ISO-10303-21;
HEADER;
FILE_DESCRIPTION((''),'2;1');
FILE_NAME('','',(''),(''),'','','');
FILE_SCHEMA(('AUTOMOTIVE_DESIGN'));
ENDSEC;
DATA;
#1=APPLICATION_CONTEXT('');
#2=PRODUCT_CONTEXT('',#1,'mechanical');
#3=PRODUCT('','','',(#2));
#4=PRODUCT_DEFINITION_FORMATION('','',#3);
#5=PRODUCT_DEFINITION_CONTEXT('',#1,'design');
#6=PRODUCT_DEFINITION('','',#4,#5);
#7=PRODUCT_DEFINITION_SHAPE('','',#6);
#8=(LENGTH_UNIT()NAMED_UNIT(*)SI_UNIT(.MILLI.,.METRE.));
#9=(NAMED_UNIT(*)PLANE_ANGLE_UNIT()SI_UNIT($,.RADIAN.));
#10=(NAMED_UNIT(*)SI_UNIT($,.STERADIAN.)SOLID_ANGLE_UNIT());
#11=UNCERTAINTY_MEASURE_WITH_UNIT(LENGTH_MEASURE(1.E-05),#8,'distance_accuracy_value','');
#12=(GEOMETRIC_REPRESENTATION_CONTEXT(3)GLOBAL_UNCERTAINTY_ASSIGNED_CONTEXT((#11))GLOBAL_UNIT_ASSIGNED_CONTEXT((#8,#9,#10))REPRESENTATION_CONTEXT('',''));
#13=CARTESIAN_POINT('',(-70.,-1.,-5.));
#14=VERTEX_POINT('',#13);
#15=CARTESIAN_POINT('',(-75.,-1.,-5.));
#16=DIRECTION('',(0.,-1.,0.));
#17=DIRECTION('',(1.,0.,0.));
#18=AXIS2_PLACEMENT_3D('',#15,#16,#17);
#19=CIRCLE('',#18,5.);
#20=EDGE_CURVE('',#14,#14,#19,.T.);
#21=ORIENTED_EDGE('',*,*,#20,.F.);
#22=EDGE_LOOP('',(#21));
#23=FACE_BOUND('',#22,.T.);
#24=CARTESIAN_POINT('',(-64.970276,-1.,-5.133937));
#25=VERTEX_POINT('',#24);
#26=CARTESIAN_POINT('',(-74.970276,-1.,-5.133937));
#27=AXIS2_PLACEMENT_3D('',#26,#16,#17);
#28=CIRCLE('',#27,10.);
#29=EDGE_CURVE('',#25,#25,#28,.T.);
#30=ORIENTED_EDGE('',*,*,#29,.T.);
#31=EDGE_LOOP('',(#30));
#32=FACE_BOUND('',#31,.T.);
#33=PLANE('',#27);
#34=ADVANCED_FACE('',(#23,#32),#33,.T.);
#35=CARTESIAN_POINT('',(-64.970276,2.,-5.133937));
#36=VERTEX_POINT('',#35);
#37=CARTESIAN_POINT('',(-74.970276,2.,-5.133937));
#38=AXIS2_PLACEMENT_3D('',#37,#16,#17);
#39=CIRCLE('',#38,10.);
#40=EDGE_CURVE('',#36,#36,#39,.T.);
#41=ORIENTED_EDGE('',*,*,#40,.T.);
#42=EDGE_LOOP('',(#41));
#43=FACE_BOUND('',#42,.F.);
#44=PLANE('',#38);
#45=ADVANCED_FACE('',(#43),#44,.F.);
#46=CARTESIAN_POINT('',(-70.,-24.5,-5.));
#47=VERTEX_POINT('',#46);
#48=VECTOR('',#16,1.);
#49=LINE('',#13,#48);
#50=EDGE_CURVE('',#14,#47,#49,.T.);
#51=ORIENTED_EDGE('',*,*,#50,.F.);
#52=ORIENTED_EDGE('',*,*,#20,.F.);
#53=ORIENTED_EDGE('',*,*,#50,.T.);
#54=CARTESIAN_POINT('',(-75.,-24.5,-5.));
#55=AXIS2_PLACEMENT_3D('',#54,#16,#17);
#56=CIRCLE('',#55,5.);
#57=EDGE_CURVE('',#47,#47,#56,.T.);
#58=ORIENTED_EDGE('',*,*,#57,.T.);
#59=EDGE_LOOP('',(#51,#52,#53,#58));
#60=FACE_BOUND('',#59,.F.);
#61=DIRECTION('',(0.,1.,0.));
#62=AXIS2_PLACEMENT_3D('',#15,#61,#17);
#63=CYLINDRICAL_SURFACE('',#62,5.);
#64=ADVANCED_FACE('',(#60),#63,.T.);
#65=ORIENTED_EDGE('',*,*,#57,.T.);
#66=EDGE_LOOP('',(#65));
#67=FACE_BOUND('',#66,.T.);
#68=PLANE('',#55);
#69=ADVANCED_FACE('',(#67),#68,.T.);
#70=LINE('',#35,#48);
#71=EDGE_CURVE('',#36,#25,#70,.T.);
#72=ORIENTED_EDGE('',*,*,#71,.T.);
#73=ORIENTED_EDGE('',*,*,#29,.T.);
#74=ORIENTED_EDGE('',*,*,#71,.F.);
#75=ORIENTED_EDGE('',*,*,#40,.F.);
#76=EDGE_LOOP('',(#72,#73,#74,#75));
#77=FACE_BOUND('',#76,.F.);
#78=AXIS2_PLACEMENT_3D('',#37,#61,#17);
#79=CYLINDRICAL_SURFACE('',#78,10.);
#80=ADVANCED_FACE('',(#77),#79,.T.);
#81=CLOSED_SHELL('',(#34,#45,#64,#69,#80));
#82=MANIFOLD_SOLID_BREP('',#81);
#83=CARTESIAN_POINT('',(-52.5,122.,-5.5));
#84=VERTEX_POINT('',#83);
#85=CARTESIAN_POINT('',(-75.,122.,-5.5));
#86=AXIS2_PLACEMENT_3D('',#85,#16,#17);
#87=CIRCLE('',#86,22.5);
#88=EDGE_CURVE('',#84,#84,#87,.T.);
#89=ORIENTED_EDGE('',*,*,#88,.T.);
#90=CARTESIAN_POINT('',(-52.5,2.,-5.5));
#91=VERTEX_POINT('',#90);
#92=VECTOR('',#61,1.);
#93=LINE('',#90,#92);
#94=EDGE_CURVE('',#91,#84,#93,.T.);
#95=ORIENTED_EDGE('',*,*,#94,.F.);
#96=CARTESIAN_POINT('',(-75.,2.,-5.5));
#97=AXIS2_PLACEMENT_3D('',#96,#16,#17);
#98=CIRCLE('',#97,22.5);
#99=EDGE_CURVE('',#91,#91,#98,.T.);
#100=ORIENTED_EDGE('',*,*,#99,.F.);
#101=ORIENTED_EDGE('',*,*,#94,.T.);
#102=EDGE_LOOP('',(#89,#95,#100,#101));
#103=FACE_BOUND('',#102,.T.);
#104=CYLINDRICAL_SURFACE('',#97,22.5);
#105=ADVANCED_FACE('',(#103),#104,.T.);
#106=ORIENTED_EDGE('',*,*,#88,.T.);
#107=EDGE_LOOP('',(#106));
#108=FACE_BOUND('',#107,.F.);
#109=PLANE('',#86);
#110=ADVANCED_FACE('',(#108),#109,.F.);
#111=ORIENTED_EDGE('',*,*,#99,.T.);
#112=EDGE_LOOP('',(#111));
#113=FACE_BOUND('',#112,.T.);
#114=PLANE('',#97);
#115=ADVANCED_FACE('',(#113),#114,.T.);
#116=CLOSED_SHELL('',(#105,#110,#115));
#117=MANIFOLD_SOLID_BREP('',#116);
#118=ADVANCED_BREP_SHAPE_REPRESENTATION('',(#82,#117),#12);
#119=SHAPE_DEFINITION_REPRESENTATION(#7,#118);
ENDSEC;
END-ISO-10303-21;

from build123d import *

# Parameters (mm, degrees)
SKETCH003_R  = 22.5
PAD003_DEPTH = 120
SKETCH_R     = 5
PAD_DEPTH    = 23.5
SKETCH004_R  = 10
PAD004_DEPTH = 3


with BuildPart() as gear_motor:
    # Sketch003 → Pad003 (new body)
    with BuildSketch(Plane(origin=(-7, 2, -25.5), x_dir=(1, 0, 0), z_dir=(0, -1, 0))):
        with Locations((-68, 20)):
            Circle(SKETCH003_R)
    extrude(amount=-PAD003_DEPTH)


with BuildPart() as body:
    # Sketch → Pad (new body)
    with BuildSketch(Plane.XZ.offset(1)):
        with Locations((-75, -5)):
            Circle(SKETCH_R)
    extrude(amount=PAD_DEPTH)

    # Sketch004 → Pad004 (join)
    with BuildSketch(Plane.XZ.offset(-2)):
        with Locations((-74.970276, -5.133937)):
            Circle(SKETCH004_R)
    extrude(amount=PAD004_DEPTH)


solid = Compound([gear_motor.part, body.part])
